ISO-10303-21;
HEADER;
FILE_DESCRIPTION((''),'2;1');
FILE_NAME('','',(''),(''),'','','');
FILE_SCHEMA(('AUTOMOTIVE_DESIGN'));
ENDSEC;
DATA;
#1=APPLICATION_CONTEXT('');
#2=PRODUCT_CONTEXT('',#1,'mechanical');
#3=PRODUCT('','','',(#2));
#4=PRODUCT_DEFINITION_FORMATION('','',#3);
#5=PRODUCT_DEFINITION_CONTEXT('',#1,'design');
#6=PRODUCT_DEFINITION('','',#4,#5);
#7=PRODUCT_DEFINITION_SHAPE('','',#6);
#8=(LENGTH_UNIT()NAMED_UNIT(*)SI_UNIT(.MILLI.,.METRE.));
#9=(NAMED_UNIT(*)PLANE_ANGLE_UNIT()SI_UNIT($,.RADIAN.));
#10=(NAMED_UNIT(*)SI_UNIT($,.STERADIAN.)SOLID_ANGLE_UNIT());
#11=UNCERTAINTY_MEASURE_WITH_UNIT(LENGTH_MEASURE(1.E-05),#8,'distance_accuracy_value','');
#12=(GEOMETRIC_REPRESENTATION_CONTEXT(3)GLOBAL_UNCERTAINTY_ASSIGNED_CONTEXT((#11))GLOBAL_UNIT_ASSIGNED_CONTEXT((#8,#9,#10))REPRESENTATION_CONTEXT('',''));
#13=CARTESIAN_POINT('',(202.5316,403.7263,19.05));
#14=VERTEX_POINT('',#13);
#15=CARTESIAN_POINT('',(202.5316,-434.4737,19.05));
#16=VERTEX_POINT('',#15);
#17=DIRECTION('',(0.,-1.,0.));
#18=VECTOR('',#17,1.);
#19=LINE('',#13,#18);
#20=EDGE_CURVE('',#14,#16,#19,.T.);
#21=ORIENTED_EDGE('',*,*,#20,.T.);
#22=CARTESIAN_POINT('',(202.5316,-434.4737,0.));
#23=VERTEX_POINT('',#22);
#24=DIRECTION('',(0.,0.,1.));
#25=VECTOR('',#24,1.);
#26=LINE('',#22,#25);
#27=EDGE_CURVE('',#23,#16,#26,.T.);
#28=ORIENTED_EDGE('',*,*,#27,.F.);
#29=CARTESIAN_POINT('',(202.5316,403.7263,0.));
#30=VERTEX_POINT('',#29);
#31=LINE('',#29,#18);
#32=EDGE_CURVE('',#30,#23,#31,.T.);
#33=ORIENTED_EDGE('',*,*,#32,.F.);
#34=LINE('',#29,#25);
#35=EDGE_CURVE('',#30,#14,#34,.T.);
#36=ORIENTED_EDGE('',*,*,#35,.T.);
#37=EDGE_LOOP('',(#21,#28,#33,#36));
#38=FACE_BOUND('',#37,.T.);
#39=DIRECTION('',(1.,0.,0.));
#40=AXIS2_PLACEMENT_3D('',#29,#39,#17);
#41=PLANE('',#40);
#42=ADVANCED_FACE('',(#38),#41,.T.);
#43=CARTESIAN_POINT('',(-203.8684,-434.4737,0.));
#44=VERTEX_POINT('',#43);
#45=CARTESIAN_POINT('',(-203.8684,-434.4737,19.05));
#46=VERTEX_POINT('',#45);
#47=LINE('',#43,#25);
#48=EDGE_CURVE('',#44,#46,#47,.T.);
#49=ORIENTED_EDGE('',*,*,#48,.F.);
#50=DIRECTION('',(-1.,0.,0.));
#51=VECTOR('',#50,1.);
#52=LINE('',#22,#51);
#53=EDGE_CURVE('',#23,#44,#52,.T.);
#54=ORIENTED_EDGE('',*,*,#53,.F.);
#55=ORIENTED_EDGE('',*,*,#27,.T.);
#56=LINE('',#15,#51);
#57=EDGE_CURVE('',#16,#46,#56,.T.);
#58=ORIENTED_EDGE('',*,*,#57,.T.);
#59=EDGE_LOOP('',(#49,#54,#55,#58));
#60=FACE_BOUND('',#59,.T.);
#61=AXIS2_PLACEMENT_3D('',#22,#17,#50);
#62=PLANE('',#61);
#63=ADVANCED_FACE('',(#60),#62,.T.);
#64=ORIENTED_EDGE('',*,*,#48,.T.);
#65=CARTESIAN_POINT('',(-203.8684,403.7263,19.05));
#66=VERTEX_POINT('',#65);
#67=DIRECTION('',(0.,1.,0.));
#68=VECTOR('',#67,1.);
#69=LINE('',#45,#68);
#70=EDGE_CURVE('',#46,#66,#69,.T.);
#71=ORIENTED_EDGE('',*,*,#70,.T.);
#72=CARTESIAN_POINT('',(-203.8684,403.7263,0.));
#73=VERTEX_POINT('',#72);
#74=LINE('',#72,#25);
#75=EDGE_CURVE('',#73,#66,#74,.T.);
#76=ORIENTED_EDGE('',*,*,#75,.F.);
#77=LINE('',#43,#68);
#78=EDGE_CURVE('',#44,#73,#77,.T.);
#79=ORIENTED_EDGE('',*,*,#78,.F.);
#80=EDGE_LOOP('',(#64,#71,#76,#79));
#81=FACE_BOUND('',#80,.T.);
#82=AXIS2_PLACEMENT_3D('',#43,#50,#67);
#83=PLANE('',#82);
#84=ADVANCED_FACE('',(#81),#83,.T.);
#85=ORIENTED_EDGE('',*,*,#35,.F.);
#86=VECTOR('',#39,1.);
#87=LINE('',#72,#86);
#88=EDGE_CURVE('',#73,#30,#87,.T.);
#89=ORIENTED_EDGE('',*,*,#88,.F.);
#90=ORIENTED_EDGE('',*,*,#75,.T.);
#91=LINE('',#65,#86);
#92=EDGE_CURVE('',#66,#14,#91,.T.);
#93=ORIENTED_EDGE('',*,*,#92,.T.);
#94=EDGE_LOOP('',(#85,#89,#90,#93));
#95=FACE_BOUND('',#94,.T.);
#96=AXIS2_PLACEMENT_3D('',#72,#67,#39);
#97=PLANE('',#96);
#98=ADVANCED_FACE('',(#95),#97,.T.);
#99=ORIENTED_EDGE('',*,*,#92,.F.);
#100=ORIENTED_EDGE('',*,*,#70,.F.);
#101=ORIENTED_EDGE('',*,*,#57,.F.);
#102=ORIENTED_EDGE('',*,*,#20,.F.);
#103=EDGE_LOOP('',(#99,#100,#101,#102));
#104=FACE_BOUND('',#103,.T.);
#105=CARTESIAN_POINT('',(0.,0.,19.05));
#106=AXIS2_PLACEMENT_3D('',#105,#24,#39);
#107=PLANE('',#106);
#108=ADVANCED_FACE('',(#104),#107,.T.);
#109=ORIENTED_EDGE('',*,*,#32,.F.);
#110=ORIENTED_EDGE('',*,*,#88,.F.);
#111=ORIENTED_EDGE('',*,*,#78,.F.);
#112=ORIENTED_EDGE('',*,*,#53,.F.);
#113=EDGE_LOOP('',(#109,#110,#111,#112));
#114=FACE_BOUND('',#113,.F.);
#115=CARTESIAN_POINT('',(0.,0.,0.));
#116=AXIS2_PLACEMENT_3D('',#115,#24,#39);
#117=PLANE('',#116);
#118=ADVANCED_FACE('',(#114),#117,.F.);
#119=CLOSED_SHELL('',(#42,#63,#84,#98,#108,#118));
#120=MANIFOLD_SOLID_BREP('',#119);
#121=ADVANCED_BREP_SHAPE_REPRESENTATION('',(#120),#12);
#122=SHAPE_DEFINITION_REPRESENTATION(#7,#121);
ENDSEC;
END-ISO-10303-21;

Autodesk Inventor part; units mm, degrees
ref_plane "YZ Plane" through (0, 0, 0) normal (1, 0, 0) x (0, 1, 0)
ref_plane "XZ Plane" through (0, 0, 0) normal (0, 1, 0) x (-1, 0, 0)
ref_plane "XY Plane" through (0, 0, 0) normal (0, 0, 1) x (1, 0, 0)
sketch "Sketch1" plane through (0, 0, 0) normal (0, 0, 1) x (1, 0, 0)
  line L0 (-203.8684, 403.7263) -> (202.5316, 403.7263)
  line L1 (202.5316, 403.7263) -> (202.5316, -434.4737)
  line L2 (202.5316, -434.4737) -> (-203.8684, -434.4737)
  line L3 (-203.8684, -434.4737) -> (-203.8684, 403.7263)
  point P0 (0, 0)
  dimension "d0" = 838.2
  dimension "d1" = 406.4
extrude "Extrusion1" add sketch "Sketch1" along normal blind 19.05
properties part number "Door back"
